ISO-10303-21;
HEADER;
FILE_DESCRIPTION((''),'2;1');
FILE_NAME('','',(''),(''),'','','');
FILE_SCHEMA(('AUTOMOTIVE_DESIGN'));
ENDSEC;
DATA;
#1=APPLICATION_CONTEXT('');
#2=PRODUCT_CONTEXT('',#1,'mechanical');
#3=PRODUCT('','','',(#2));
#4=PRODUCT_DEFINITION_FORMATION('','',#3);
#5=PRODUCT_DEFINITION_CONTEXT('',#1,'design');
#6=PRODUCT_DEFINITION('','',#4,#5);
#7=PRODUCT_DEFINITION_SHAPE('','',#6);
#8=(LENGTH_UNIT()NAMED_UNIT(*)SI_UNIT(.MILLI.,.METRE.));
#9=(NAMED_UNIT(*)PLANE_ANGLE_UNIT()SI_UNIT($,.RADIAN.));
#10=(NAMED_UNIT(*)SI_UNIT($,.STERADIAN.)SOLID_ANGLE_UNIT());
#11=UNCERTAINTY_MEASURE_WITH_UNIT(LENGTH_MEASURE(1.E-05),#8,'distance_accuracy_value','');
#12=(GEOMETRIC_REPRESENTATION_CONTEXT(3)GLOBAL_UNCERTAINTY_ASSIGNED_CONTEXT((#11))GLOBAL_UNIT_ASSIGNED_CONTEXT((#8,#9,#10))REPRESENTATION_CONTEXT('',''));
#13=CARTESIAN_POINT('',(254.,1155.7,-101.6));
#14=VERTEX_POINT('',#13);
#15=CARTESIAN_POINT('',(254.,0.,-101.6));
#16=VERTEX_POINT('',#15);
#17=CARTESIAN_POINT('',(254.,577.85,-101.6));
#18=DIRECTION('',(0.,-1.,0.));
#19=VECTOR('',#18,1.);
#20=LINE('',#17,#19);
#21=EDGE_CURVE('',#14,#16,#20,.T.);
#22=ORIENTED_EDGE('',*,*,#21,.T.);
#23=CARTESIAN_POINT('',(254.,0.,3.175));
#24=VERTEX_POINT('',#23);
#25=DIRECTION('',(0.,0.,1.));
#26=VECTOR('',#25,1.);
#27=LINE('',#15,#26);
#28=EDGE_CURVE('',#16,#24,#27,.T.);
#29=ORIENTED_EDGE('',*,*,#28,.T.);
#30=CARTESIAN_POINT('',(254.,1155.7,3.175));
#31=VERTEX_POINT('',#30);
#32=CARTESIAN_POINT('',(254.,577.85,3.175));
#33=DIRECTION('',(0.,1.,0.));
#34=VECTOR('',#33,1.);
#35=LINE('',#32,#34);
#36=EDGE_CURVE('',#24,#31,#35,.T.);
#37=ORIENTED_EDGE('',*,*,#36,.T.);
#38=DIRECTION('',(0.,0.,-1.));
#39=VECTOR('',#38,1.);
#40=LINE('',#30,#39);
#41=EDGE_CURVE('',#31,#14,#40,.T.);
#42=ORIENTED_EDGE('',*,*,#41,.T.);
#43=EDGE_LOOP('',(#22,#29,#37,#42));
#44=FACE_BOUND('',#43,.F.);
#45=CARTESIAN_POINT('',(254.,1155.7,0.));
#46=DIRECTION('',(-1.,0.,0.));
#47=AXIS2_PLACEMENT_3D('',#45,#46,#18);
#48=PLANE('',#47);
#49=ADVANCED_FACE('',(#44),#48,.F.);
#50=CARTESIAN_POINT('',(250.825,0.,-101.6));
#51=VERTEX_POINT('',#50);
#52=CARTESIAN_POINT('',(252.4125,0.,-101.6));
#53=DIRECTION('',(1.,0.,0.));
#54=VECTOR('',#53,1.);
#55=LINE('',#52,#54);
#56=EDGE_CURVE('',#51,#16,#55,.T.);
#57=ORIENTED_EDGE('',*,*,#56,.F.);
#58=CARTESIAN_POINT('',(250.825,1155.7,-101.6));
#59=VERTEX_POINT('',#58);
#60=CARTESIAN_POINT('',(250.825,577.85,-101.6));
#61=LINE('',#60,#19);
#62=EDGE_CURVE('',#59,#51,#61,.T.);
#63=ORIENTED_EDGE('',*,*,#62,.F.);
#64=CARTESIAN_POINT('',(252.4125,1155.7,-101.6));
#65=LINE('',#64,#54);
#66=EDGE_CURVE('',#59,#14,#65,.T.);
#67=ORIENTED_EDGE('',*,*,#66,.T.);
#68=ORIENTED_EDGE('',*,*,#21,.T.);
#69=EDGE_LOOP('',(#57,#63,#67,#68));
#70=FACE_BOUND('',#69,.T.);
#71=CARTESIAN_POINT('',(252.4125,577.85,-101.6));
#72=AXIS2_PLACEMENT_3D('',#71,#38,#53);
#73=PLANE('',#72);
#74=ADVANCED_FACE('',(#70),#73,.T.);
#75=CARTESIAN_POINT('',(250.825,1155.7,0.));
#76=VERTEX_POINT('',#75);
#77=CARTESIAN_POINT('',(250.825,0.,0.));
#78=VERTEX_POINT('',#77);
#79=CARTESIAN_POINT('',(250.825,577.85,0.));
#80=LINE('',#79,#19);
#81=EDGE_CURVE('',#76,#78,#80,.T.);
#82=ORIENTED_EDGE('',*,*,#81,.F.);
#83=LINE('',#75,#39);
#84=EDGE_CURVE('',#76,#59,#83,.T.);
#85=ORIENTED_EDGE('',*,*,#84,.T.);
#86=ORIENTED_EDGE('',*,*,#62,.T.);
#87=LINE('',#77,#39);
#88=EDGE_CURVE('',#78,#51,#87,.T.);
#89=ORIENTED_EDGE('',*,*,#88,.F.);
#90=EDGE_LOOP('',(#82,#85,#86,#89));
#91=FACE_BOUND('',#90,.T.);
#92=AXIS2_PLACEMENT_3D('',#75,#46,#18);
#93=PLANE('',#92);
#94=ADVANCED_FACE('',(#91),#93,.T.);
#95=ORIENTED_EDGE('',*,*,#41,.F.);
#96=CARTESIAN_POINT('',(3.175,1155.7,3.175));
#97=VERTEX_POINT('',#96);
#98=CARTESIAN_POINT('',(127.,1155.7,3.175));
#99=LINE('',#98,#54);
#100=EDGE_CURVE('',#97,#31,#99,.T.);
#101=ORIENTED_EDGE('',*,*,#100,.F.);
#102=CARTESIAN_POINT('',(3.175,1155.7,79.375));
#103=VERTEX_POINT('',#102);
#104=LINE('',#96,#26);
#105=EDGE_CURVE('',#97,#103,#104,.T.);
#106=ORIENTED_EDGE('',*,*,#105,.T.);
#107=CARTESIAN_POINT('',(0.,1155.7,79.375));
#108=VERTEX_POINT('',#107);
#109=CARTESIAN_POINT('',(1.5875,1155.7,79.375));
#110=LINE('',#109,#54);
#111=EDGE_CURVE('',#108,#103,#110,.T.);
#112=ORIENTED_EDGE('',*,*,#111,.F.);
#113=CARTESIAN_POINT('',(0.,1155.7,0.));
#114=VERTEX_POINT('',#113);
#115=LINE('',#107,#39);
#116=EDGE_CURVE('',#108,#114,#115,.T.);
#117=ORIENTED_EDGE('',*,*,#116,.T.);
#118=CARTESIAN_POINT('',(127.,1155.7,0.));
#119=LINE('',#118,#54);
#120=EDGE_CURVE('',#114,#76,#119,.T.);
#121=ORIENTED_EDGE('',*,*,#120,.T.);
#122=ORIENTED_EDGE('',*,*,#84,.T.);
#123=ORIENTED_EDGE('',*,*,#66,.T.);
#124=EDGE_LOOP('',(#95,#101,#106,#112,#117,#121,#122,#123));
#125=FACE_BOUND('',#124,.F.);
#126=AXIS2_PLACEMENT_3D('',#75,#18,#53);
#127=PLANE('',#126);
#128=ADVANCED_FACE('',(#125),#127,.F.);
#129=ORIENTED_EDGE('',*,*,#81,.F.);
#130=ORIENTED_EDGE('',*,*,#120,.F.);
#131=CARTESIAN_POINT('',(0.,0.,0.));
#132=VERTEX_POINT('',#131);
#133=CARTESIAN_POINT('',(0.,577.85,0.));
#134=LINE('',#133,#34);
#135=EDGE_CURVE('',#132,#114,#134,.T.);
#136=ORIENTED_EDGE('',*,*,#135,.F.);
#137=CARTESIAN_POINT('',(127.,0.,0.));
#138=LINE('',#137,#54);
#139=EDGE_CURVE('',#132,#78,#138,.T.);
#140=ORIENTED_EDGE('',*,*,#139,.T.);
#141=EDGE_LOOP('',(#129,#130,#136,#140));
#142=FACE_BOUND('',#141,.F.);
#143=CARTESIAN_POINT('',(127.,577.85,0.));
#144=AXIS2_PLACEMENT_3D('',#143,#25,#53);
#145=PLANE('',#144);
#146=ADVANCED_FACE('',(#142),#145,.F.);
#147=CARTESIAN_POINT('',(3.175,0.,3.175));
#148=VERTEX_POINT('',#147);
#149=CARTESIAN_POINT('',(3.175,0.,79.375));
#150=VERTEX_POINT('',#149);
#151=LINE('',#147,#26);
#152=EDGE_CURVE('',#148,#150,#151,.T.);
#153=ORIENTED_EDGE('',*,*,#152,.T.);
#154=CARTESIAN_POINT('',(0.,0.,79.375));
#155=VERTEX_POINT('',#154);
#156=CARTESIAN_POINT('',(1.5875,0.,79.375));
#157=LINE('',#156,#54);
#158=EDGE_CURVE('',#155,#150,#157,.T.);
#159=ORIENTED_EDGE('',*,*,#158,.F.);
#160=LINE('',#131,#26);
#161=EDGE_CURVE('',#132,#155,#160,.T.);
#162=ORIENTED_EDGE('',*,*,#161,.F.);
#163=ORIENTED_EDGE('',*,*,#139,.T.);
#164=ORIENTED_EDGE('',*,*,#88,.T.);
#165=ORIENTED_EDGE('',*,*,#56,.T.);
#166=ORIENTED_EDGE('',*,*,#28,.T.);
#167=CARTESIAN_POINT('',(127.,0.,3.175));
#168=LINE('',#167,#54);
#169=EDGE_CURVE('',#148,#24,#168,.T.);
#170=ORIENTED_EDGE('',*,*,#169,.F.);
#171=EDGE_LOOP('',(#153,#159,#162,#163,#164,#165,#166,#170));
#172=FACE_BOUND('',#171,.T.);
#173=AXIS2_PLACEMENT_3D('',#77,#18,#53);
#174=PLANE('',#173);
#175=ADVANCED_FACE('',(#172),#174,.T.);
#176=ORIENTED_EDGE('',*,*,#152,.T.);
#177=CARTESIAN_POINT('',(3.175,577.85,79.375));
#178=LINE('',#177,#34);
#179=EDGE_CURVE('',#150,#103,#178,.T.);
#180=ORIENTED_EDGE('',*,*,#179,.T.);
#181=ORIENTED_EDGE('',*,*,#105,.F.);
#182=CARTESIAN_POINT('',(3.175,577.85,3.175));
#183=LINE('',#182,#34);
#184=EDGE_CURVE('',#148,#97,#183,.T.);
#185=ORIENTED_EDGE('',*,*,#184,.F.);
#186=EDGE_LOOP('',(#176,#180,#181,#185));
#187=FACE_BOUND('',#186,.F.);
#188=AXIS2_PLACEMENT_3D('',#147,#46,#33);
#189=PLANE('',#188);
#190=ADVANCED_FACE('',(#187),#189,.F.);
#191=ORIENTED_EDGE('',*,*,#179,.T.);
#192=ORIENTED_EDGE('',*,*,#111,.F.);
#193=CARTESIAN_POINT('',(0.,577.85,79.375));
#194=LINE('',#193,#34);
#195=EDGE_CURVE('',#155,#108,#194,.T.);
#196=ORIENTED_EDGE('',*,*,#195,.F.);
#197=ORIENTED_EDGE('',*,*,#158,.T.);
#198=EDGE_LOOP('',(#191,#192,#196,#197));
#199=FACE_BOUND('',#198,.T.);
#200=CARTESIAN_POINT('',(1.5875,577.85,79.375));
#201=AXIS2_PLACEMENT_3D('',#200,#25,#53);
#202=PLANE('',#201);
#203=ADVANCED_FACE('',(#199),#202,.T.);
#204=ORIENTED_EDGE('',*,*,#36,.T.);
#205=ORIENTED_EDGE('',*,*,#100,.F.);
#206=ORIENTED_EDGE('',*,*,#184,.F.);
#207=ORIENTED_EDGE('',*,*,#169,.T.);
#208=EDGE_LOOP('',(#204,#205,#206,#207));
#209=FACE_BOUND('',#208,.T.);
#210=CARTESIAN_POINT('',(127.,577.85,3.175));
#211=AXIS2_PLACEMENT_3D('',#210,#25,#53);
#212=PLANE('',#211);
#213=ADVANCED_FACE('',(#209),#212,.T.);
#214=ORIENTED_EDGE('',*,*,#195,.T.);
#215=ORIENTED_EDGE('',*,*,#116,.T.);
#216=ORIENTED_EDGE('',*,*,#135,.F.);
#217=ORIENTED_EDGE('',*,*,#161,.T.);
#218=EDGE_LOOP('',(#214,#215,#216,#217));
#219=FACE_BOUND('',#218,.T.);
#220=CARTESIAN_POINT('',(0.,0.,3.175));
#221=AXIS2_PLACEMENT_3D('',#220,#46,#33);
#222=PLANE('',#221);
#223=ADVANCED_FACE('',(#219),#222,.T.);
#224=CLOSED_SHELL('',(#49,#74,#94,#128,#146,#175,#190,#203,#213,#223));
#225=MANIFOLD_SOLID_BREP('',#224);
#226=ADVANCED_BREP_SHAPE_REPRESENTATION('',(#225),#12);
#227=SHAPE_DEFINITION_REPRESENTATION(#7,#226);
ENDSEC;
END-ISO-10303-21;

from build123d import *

# Parameters (mm, degrees)
F0_W     = 254
F0_H     = 1155.7
F1_DEPTH = 3.175
F2_W     = 3.175
F2_H     = 1155.7
F3_DEPTH = 76.2
F4_W     = 3.175
F4_H     = 1155.7
F5_DEPTH = 101.6


with BuildPart() as f1:
    # F0 (on Top) → F1 (new body)
    with BuildSketch(Plane.XY):
        with Locations((127, 577.85)):
            Rectangle(F0_W, F0_H)
    extrude(amount=F1_DEPTH)

    # F2 (on face) → F3 (join)
    with BuildSketch(Plane.XY.offset(3.175)):
        with Locations((1.5875, 577.85)):
            Rectangle(F2_W, F2_H)
    extrude(amount=F3_DEPTH)

    # F4 (on face) → F5 (join)
    with BuildSketch(Plane(origin=(0, 0, 0), x_dir=(1, 0, 0), z_dir=(0, 0, -1))):
        with Locations((252.4125, -577.85)):
            Rectangle(F4_W, F4_H)
    extrude(amount=F5_DEPTH)


solid = f1.part
